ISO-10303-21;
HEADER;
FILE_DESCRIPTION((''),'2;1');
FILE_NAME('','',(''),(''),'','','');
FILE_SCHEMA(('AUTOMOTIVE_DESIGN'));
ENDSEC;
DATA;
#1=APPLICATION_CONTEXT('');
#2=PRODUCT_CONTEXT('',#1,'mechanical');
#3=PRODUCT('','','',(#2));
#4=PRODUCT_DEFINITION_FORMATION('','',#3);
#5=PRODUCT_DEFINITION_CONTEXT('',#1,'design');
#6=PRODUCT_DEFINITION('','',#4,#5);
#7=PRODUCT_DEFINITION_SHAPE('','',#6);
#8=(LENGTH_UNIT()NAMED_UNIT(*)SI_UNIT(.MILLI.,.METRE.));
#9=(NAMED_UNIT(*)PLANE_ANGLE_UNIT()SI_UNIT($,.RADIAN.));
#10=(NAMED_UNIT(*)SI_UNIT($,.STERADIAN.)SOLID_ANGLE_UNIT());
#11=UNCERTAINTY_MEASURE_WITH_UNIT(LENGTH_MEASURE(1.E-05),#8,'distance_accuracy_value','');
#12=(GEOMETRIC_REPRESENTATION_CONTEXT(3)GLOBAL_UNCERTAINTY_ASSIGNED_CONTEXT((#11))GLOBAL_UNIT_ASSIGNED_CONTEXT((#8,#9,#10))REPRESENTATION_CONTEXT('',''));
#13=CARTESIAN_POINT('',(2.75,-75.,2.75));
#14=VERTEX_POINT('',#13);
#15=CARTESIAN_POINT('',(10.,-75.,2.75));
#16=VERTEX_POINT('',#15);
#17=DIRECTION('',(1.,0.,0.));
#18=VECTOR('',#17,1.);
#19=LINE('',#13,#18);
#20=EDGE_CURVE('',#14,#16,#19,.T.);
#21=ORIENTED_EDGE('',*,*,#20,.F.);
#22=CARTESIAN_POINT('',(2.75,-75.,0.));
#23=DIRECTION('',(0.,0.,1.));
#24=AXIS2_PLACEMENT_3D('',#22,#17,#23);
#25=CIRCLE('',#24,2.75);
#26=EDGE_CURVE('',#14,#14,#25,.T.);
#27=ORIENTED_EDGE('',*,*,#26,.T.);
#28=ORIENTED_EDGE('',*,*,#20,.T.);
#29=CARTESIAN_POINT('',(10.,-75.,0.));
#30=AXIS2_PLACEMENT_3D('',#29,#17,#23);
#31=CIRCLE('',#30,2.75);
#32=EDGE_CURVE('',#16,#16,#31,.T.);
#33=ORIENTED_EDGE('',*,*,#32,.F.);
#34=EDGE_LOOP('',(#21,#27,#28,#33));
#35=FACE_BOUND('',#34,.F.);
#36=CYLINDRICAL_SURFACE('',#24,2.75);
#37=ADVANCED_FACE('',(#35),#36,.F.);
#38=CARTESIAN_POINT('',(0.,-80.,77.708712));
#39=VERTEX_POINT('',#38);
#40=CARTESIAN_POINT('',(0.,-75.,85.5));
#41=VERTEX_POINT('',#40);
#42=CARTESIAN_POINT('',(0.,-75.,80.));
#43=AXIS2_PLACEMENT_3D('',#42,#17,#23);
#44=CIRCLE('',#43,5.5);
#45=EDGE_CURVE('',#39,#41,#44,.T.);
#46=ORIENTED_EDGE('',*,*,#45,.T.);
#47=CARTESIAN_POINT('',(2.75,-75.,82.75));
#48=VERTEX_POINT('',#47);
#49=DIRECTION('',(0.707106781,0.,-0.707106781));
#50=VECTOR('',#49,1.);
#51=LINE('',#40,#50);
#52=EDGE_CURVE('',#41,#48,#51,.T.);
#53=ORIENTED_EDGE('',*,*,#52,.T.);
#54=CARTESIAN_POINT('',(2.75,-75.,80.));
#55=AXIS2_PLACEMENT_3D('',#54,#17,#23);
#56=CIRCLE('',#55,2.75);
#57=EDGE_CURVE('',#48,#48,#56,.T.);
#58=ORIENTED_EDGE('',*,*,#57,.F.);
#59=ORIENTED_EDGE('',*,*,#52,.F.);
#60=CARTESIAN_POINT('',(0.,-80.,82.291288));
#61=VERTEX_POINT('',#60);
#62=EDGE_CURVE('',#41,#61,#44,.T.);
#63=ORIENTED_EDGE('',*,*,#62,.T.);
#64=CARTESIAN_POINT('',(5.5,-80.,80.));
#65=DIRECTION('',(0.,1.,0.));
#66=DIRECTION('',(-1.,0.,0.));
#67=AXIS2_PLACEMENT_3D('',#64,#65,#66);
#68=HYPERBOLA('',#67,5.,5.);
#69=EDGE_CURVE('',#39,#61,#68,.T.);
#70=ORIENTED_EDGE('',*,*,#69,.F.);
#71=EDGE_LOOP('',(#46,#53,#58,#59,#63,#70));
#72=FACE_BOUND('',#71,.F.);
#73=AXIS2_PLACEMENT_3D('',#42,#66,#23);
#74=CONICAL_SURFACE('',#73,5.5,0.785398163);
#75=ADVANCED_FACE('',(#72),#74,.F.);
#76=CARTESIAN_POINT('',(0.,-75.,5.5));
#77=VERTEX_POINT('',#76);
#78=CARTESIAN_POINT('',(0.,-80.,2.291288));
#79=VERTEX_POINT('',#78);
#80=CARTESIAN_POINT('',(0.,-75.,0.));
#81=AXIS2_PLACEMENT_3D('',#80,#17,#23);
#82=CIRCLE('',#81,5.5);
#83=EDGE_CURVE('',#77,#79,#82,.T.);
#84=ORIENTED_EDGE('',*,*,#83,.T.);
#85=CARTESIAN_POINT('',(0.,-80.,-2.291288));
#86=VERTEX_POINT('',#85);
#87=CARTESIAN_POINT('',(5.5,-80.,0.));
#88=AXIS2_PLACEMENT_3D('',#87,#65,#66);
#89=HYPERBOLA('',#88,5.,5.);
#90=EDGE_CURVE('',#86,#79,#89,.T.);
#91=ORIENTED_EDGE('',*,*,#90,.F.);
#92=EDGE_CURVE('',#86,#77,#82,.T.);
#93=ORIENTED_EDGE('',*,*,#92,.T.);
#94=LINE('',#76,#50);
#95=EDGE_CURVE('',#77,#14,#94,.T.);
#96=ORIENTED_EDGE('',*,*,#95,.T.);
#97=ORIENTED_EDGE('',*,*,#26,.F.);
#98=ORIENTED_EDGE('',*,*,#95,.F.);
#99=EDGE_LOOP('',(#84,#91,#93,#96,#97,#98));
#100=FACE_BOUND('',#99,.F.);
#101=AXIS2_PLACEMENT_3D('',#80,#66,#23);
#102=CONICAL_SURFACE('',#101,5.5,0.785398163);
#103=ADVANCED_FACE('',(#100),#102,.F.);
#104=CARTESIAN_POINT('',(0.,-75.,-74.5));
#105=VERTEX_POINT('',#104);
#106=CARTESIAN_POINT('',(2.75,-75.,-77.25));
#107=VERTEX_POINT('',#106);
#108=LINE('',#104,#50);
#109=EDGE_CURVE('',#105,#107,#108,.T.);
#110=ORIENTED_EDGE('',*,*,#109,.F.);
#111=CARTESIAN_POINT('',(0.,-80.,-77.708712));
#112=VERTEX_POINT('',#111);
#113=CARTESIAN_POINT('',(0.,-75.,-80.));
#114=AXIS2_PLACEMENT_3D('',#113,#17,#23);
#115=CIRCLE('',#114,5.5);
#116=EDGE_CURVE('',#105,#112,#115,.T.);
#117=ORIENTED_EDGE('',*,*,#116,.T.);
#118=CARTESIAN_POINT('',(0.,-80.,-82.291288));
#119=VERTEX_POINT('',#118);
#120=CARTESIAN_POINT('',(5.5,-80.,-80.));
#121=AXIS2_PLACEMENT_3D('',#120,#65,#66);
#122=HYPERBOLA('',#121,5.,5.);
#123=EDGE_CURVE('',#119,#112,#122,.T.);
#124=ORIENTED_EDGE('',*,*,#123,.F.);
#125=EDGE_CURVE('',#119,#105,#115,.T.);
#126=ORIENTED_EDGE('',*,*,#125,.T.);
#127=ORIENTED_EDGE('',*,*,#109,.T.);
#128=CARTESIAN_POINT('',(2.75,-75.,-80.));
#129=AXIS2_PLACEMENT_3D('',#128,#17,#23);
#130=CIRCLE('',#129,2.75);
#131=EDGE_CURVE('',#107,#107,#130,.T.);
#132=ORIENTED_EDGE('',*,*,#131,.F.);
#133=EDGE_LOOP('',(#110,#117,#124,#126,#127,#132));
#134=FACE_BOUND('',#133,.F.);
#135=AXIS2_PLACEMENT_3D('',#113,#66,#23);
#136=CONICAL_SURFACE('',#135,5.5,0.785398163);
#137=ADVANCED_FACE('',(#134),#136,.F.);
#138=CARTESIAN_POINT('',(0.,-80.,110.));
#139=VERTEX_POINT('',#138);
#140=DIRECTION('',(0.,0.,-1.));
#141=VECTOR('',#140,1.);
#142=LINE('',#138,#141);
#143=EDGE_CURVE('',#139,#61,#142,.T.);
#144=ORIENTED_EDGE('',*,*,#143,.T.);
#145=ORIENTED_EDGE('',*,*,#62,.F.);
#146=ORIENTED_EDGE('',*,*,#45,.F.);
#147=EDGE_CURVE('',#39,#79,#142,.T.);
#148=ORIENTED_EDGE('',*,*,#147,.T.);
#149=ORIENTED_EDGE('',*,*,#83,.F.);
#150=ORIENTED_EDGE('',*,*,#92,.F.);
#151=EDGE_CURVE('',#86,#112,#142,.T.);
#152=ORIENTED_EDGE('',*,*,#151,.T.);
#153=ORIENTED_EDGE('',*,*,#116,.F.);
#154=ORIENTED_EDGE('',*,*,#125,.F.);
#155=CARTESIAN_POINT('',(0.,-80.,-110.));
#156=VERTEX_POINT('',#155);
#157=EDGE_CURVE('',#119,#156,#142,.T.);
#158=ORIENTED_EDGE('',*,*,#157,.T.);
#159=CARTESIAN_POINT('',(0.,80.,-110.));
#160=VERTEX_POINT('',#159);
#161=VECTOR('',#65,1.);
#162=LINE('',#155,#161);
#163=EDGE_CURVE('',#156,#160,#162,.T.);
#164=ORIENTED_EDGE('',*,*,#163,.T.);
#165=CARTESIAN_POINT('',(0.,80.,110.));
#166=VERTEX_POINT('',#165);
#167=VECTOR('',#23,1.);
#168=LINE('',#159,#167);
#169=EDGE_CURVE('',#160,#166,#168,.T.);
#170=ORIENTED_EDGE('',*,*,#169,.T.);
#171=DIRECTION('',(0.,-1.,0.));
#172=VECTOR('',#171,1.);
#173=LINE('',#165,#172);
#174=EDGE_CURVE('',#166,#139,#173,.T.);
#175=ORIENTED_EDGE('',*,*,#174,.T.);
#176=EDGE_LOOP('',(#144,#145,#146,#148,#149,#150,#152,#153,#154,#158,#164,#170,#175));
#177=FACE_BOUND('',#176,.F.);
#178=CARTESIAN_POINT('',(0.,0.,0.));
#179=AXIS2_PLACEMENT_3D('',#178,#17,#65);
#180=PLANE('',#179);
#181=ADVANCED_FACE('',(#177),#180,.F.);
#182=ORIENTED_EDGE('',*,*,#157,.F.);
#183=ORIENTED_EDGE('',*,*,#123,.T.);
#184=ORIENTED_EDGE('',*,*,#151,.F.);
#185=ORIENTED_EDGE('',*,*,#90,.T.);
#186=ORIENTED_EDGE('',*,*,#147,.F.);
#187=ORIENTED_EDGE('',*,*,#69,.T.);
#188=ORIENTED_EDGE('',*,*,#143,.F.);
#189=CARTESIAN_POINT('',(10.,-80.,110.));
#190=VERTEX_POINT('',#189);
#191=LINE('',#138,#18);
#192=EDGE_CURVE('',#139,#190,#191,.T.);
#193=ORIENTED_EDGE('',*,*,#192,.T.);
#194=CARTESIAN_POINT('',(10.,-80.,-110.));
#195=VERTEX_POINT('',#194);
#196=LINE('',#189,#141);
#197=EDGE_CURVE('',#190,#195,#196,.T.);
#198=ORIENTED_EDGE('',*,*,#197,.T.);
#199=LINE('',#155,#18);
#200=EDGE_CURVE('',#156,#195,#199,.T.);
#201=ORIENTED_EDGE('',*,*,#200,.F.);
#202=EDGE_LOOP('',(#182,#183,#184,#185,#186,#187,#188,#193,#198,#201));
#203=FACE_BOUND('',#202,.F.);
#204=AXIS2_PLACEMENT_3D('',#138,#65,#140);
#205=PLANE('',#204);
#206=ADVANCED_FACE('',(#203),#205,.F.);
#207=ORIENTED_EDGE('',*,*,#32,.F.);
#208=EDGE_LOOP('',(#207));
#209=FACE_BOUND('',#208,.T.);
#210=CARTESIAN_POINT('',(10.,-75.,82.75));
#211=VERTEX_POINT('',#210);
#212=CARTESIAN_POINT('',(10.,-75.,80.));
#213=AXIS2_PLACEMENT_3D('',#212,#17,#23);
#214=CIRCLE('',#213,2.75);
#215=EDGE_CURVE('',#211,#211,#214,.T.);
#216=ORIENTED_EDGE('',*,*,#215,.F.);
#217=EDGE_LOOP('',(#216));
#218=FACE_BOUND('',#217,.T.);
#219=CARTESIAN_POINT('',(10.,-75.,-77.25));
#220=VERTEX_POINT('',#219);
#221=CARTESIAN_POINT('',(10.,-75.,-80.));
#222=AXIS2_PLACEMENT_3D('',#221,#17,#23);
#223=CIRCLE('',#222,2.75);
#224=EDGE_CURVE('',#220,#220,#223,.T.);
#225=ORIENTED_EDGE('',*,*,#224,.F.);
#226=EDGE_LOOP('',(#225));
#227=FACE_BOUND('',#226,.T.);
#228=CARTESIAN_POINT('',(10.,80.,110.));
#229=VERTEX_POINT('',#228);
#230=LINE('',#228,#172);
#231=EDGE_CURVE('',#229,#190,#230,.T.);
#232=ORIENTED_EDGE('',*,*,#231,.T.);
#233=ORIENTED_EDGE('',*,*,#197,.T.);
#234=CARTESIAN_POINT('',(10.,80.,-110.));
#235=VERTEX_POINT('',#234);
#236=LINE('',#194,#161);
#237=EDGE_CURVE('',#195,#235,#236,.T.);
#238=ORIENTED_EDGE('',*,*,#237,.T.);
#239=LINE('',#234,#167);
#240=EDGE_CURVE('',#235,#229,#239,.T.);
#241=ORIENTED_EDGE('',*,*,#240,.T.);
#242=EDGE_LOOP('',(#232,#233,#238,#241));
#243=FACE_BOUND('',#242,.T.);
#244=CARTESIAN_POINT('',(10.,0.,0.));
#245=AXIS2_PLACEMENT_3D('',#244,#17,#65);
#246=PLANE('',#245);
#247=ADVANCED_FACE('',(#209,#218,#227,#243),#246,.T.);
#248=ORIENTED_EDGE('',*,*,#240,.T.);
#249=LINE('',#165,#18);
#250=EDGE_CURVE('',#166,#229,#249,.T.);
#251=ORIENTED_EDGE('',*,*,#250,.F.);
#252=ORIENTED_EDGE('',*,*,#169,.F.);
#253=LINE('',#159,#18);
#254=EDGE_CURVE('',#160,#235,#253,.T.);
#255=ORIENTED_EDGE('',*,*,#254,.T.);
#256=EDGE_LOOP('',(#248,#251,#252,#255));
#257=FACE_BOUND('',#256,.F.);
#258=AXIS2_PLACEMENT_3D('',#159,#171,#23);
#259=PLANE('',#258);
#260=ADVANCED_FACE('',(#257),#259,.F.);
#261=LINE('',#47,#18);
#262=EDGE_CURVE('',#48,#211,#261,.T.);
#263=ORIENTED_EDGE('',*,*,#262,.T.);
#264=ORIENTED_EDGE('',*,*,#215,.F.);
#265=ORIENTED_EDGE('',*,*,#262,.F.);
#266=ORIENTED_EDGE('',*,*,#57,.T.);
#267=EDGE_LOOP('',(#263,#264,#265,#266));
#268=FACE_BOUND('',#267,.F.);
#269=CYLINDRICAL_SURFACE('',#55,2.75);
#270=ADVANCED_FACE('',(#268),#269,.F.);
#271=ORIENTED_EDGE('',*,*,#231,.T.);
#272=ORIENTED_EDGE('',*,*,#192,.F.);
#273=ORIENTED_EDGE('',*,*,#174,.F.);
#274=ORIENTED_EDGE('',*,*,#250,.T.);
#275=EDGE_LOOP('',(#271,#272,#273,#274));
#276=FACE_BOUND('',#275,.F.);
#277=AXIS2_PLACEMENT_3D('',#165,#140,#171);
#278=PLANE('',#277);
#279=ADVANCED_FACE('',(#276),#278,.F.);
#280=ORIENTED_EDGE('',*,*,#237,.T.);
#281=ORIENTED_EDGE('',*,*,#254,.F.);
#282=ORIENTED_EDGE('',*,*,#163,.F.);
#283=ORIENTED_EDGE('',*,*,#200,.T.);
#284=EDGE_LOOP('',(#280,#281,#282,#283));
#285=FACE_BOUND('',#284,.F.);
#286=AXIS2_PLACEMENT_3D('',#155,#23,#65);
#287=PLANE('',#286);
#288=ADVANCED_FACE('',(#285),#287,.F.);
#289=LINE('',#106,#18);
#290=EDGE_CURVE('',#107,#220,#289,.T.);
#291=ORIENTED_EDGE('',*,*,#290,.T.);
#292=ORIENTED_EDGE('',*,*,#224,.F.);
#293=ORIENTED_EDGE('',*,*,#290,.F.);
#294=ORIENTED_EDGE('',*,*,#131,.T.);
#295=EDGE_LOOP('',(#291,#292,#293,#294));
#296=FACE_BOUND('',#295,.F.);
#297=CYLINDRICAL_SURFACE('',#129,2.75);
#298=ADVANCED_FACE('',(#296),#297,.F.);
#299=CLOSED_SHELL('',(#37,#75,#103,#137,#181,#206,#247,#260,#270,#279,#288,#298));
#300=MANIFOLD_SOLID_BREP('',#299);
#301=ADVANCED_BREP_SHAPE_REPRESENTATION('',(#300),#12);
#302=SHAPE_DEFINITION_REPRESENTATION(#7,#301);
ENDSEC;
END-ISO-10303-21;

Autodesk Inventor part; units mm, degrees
ref_plane "YZ Plane" through (0, 0, 0) normal (1, 0, 0) x (0, 1, 0)
ref_plane "XZ Plane" through (0, 0, 0) normal (0, 1, 0) x (-1, 0, 0)
ref_plane "XY Plane" through (0, 0, 0) normal (0, 0, 1) x (1, 0, 0)
sketch "Boceto1" plane through (0, 0, 0) normal (1, 0, 0) x (0, 1, 0)
  line L0 (-80, -110) -> (80, -110)
  line L1 (80, -110) -> (80, 110)
  line L2 (80, 110) -> (-80, 110)
  line L3 (-80, 110) -> (-80, -110)
  line L4 (-80, -110) -> (80, 110) construction
  line L5 (80, -110) -> (-80, 110) construction
  point P0 (0, 0)
  dimension "d0" = 160
  dimension "d1" = 220
extrude "Extrusión1" add sketch "Boceto1" along normal blind 10
sketch "Boceto2" plane through (0, 0, 0) normal (-1, 0, 0) x (0, 0, 1)
  line L0 (-110, 80) -> (110, 80) projected
  line L1 (110, 80) -> (110, -80) projected
  line L2 (-110, -80) -> (-110, 80) projected
  line L3 (-110, -80) -> (-110, 80) construction
  line L4 (-110, 0) -> (110, 0) construction
  point P0 (0, 0)
  point P1 (0, -75)
  point P2 (-80, -75)
  point P3 (80, -75)
hole "Agujero1" at (0, -75, -80) at (0, -75, 0) at (0, -75, 80) direction (1, 0, 0) diameter 5.5 depth 20 tip angle 118 countersink diameter 11 countersink angle 90
properties part number "LATERAL B" material "Plástico PMMA"
